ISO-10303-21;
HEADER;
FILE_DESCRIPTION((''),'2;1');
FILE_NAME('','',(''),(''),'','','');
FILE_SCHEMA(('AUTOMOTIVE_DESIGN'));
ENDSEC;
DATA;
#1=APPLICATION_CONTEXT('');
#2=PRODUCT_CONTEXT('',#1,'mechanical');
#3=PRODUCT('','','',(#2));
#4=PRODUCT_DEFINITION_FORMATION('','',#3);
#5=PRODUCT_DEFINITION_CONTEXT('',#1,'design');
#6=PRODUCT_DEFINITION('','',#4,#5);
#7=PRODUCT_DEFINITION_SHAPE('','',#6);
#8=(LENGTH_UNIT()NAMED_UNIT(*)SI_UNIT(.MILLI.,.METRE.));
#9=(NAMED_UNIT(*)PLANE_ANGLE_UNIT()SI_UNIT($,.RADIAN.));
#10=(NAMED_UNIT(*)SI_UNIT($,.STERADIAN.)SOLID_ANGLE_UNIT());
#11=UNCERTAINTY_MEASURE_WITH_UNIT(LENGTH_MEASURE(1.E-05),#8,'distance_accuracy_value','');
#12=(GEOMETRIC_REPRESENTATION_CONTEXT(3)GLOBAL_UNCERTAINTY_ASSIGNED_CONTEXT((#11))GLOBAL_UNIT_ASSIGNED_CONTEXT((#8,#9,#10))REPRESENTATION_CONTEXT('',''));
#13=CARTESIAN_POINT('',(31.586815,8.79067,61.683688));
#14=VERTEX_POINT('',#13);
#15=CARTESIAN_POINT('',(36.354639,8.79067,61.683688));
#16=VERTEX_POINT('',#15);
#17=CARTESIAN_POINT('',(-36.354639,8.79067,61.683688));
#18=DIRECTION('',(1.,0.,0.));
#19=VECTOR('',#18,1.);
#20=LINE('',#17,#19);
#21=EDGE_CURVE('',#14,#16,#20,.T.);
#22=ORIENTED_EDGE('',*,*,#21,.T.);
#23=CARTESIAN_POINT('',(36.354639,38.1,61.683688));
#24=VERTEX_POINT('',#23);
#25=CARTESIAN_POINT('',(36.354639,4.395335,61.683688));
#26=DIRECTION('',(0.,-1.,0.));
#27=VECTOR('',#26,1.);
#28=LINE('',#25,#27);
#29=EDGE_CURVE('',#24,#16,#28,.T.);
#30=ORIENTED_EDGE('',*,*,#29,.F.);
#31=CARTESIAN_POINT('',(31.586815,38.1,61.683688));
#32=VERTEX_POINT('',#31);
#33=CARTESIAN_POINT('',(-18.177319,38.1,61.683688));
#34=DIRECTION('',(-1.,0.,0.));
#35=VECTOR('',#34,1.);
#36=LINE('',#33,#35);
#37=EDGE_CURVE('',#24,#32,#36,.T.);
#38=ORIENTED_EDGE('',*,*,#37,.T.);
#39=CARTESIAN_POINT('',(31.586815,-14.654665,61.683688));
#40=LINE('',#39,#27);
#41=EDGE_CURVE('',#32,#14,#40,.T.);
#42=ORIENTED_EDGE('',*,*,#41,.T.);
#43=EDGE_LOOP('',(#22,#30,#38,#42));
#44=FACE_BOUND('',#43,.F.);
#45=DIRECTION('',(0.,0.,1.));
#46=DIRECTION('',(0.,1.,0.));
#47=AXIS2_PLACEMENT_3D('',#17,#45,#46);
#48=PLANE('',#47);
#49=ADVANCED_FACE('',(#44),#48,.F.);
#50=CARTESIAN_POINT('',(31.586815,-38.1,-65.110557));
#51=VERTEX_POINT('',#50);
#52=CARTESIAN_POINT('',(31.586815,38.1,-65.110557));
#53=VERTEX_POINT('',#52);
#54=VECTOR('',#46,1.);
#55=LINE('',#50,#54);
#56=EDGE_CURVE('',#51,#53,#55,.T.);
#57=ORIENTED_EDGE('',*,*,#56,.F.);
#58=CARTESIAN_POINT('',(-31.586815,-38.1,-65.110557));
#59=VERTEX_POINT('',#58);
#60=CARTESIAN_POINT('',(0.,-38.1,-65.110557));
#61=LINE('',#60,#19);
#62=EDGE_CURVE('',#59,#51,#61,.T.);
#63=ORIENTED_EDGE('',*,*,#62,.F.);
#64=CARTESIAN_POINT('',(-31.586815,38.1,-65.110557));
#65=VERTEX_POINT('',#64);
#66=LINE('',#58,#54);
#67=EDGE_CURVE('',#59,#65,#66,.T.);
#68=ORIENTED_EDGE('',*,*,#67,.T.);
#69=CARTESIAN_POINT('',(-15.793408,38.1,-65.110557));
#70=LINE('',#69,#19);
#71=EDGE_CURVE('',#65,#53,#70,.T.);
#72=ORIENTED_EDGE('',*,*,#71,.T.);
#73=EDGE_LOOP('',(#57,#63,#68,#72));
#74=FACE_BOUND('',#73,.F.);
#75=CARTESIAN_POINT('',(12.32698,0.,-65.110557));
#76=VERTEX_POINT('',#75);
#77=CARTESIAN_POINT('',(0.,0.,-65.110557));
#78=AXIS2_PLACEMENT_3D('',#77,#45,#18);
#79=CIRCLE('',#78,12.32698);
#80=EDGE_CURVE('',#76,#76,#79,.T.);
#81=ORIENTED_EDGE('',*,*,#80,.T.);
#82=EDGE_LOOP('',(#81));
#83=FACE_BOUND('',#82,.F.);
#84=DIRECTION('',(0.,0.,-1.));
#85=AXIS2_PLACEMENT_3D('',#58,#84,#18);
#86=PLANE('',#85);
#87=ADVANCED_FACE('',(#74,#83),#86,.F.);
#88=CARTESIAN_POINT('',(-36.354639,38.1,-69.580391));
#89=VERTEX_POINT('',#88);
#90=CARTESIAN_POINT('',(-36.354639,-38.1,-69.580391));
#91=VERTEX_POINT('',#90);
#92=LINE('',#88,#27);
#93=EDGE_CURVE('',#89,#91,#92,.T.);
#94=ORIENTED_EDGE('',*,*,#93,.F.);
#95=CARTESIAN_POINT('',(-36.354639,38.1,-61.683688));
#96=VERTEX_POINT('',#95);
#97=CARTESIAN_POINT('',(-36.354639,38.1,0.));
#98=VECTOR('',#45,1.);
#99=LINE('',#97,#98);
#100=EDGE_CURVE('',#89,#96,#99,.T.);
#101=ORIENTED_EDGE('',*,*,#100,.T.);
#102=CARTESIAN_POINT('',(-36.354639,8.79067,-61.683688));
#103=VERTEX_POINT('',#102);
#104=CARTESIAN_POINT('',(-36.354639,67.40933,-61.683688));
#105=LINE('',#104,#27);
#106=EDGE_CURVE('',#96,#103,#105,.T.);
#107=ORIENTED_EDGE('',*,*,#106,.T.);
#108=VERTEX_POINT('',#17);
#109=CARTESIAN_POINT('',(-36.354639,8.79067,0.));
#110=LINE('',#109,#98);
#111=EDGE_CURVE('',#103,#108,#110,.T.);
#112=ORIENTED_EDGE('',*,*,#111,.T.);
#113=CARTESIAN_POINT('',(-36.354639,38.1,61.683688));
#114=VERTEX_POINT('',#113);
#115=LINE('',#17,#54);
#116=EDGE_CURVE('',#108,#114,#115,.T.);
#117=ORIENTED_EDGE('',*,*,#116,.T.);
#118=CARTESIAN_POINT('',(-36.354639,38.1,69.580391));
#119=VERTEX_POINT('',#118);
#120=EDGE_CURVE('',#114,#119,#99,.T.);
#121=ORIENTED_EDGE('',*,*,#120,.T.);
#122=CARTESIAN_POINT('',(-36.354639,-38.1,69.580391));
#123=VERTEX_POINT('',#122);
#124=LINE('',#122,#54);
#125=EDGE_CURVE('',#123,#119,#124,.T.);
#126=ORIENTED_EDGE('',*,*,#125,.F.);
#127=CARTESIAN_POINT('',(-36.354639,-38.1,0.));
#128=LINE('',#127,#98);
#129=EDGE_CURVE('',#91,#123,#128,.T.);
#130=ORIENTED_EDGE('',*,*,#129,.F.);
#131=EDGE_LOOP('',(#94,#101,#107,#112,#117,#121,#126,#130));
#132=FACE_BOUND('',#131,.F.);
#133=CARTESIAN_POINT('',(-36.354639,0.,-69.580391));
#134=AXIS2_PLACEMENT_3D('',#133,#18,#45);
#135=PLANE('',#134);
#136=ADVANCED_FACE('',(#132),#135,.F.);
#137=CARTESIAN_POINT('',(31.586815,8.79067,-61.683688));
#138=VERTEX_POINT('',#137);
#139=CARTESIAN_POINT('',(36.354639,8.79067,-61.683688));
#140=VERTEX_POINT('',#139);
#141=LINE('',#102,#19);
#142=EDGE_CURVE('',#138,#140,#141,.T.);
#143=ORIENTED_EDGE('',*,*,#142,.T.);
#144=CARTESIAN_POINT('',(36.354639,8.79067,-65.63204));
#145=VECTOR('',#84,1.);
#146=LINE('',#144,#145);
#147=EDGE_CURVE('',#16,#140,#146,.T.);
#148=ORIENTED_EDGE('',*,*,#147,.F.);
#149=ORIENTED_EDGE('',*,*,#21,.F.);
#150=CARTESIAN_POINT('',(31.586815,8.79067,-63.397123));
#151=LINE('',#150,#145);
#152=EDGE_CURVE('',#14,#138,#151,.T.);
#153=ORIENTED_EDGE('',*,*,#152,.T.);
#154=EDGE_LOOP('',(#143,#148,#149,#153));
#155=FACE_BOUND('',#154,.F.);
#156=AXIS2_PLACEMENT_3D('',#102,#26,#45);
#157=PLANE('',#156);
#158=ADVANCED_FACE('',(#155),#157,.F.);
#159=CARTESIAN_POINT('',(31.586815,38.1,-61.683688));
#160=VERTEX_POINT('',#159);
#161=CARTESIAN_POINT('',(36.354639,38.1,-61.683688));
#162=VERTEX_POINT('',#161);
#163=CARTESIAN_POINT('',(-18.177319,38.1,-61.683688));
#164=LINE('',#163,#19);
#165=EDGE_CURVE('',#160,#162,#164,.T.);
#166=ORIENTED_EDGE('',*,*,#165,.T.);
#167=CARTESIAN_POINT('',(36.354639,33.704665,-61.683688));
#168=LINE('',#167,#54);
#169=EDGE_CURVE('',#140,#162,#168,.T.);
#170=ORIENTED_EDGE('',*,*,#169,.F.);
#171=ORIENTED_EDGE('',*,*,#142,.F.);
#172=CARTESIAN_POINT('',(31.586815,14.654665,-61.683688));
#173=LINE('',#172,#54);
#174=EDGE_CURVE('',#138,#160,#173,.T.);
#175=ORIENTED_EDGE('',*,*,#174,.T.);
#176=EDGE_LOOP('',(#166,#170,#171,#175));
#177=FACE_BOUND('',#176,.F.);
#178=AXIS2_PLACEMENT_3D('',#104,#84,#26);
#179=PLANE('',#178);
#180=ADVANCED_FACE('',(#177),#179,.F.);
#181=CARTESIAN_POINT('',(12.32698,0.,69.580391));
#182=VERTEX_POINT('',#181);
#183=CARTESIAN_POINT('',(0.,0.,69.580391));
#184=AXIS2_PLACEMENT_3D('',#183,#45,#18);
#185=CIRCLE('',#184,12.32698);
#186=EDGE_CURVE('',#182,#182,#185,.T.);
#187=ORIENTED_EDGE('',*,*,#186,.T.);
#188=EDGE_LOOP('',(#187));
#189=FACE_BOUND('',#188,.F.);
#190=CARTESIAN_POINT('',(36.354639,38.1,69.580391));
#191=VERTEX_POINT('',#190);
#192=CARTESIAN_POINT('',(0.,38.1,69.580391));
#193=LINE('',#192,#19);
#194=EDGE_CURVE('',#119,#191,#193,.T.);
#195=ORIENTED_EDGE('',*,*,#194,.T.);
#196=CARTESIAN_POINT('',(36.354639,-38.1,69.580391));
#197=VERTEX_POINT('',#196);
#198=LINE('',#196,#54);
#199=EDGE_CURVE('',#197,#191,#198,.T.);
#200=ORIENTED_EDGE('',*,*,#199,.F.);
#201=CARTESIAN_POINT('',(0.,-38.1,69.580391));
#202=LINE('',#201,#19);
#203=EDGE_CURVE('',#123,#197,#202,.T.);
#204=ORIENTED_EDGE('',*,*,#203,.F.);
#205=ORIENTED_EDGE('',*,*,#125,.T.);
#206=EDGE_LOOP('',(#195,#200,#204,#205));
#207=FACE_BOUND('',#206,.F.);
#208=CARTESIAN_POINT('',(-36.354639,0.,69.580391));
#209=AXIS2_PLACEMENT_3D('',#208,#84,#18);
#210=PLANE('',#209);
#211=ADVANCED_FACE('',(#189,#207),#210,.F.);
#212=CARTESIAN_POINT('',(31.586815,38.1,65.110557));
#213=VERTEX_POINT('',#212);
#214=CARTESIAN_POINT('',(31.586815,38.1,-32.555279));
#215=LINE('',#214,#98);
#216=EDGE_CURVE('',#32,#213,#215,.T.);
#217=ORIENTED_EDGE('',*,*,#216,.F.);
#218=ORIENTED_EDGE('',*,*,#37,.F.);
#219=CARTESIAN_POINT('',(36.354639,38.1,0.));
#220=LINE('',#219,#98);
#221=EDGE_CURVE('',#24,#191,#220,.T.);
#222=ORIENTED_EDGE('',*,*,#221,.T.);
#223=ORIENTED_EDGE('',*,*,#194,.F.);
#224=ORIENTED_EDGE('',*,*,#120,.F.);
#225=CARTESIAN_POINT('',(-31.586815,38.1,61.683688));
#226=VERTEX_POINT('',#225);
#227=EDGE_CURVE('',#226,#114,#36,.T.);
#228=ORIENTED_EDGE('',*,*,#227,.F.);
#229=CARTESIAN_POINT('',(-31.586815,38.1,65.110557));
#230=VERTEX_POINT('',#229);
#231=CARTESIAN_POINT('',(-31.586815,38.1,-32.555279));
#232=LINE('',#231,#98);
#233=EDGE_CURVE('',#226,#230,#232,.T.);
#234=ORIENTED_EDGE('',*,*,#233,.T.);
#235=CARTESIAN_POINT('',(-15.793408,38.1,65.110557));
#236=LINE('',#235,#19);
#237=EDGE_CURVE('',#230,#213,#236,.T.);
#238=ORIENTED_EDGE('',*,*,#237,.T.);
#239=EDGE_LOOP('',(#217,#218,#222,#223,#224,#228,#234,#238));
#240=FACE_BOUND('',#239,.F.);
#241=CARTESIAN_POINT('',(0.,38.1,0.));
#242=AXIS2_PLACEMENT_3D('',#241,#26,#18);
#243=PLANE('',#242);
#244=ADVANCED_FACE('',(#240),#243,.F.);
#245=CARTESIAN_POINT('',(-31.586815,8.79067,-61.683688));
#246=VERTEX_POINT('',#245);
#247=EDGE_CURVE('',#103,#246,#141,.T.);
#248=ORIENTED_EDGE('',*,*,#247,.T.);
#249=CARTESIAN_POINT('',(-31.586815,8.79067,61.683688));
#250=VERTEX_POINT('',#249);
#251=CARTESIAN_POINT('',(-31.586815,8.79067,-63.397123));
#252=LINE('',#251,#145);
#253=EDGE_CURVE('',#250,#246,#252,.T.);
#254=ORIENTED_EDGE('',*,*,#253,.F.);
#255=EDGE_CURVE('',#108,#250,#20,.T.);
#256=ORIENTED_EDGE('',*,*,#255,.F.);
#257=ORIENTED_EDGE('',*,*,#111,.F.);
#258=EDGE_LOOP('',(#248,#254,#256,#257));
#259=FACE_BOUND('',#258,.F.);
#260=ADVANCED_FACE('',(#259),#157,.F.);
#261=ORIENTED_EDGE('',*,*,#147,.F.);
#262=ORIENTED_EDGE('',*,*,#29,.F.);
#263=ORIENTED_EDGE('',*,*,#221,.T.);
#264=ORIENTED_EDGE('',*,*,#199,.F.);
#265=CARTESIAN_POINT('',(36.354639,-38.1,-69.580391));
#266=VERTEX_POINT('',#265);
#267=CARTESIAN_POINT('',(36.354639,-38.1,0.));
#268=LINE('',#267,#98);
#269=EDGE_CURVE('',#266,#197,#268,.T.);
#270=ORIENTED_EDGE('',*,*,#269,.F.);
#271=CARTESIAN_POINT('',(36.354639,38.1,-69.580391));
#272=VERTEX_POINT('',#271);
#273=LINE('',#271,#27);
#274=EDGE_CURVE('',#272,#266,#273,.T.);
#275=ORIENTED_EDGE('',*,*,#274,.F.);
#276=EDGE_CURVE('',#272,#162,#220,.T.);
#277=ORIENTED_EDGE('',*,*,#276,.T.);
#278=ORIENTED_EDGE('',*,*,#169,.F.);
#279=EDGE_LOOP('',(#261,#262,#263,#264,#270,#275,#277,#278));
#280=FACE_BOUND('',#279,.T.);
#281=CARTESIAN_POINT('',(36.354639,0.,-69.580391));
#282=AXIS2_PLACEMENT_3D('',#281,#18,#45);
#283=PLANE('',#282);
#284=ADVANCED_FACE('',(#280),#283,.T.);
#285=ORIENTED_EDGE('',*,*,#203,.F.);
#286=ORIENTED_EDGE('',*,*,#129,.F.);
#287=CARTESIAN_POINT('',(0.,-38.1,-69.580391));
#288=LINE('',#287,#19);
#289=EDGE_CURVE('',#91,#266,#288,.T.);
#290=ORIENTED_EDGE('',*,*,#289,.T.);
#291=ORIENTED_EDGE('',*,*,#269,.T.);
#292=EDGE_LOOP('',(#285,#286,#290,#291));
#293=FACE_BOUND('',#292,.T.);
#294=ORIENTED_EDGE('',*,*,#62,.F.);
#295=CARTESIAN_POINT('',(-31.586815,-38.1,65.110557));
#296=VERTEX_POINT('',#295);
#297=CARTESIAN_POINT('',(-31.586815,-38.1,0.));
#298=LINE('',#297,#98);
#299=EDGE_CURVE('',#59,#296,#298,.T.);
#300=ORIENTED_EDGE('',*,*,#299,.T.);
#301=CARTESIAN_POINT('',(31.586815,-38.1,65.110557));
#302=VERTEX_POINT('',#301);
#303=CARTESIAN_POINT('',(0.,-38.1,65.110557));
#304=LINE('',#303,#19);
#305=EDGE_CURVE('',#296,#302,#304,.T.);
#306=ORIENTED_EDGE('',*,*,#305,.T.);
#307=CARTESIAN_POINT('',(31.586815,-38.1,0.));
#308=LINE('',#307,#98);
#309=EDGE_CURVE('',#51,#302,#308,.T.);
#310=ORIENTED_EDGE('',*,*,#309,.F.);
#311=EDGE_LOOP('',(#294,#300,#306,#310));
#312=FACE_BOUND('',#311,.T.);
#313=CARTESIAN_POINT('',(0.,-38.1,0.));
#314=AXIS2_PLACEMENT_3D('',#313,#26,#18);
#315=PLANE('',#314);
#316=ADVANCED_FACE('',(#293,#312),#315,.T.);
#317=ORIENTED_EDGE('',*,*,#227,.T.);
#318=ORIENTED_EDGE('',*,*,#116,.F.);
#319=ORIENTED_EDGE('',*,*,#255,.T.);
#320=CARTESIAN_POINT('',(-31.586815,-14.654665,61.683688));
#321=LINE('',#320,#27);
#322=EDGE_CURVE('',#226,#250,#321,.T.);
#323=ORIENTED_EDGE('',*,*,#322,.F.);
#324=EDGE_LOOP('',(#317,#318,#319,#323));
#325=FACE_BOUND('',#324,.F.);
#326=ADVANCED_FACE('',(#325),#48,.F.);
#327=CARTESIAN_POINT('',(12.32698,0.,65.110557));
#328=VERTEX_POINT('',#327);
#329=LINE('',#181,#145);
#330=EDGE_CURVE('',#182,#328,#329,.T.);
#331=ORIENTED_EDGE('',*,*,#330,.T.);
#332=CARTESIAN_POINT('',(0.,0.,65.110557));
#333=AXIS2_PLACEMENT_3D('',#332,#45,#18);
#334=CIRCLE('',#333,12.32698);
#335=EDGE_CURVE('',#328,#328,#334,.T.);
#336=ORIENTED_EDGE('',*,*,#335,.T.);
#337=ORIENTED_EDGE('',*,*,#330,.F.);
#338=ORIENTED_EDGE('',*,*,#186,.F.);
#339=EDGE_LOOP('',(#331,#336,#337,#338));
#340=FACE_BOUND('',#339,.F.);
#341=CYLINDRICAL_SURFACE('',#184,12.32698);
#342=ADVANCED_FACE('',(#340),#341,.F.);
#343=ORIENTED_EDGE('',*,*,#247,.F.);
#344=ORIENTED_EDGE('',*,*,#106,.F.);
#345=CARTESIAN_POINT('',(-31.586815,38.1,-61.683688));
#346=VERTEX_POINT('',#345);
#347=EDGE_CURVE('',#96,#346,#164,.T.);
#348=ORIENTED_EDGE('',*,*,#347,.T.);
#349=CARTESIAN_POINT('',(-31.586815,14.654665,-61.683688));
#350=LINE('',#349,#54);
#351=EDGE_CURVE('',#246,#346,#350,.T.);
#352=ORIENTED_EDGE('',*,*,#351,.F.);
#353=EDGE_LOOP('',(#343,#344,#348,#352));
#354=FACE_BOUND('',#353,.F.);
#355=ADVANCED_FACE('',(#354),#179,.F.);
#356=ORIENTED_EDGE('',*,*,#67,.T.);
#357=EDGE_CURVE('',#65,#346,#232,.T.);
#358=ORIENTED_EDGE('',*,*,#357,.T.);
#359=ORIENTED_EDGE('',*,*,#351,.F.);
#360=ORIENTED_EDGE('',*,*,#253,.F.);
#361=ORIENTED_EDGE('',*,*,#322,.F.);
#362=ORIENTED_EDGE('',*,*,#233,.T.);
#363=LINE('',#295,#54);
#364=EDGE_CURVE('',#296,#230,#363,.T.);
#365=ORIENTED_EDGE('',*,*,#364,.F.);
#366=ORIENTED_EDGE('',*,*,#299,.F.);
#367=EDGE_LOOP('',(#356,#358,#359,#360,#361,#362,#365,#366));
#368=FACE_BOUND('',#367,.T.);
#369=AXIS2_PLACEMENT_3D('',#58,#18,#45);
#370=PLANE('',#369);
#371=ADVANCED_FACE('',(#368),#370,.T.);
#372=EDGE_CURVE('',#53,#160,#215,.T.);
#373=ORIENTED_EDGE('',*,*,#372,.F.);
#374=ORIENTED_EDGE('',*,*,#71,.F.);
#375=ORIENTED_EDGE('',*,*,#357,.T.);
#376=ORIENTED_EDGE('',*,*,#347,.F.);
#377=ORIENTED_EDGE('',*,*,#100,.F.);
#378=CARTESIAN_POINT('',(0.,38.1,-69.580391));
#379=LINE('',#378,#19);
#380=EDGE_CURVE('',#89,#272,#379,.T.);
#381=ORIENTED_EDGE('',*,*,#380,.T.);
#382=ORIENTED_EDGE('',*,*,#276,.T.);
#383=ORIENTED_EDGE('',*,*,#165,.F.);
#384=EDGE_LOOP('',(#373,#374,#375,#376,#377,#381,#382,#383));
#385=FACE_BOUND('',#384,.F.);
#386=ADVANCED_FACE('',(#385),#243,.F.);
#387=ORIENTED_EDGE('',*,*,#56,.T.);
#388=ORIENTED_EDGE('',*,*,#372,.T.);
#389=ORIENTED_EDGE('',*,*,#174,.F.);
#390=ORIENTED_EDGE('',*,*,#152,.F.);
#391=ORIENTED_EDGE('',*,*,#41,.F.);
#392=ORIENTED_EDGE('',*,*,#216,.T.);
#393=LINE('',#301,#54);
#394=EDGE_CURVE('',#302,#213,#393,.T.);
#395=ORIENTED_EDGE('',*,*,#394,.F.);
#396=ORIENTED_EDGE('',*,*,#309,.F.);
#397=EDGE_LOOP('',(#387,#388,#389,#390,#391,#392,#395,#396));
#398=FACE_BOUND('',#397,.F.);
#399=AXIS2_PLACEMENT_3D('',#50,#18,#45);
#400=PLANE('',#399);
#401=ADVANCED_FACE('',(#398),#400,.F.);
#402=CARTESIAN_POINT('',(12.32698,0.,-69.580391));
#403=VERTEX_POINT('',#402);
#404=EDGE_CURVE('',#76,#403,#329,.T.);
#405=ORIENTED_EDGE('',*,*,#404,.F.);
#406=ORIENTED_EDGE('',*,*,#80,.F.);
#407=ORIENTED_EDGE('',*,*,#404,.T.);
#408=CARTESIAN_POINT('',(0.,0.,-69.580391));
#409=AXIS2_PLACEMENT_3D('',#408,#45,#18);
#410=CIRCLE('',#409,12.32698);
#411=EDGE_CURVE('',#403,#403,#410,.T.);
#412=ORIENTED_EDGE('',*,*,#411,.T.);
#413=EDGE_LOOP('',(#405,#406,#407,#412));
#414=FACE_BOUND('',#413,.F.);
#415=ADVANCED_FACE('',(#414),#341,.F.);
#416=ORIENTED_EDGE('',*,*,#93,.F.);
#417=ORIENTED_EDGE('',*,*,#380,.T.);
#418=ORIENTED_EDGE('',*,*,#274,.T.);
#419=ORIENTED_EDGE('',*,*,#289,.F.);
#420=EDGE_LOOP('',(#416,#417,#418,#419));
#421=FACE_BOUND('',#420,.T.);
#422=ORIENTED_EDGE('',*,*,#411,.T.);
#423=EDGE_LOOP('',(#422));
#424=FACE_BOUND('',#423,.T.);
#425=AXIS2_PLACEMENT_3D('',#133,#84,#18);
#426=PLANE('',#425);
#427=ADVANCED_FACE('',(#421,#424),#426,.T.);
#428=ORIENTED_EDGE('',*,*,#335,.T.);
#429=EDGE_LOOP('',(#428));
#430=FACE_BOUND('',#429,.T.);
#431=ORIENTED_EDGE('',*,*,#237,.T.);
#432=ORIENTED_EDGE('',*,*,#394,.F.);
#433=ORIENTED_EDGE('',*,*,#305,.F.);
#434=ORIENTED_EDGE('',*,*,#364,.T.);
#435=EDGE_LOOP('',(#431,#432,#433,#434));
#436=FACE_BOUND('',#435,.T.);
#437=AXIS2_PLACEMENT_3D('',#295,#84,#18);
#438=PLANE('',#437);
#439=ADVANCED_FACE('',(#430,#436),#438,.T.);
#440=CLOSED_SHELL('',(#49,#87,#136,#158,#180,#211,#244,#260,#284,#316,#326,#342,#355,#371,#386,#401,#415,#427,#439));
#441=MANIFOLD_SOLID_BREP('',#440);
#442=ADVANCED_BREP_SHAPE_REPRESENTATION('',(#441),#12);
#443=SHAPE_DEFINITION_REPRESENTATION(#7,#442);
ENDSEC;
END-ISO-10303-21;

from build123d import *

# Parameters (mm, degrees)
F0_W     = 72.709278
F0_H     = 139.160782
F1_DEPTH = 38.1
F2_W     = 63.17363
F2_H     = 130.221114
F3_DEPTH = 76.201
F4_R     = 12.32698
F5_DEPTH = 139.161782
F6_W     = 29.30933
F6_H     = 123.367376
F7_DEPTH = 72.710277


with BuildPart() as f1:
    # F0 (on Front) → F1 (new body, symmetric)
    with BuildSketch(Plane.XZ):
        Rectangle(F0_W, F0_H)
    extrude(amount=F1_DEPTH, both=True)

    # F2 (on face) → F3 (cut, through all)
    with BuildSketch(Plane.XZ.offset(38.1)):
        Rectangle(F2_W, F2_H)
    extrude(amount=-F3_DEPTH, mode=Mode.SUBTRACT)

    # F4 (on face) → F5 (cut, through all)
    with BuildSketch(Plane.XY.offset(69.580391)):
        Circle(F4_R)
    extrude(amount=-F5_DEPTH, mode=Mode.SUBTRACT)

    # F6 (on face) → F7 (cut, through all)
    with BuildSketch(Plane(origin=(-36.354639, 0, 0), x_dir=(0, -1, 0), z_dir=(-1, 0, 0))):
        with Locations((-23.445335, 0)):
            Rectangle(F6_W, F6_H)
        with Locations((-52.754665, 0)):
            Rectangle(F6_W, F6_H)
    extrude(amount=-F7_DEPTH, mode=Mode.SUBTRACT)


solid = f1.part
